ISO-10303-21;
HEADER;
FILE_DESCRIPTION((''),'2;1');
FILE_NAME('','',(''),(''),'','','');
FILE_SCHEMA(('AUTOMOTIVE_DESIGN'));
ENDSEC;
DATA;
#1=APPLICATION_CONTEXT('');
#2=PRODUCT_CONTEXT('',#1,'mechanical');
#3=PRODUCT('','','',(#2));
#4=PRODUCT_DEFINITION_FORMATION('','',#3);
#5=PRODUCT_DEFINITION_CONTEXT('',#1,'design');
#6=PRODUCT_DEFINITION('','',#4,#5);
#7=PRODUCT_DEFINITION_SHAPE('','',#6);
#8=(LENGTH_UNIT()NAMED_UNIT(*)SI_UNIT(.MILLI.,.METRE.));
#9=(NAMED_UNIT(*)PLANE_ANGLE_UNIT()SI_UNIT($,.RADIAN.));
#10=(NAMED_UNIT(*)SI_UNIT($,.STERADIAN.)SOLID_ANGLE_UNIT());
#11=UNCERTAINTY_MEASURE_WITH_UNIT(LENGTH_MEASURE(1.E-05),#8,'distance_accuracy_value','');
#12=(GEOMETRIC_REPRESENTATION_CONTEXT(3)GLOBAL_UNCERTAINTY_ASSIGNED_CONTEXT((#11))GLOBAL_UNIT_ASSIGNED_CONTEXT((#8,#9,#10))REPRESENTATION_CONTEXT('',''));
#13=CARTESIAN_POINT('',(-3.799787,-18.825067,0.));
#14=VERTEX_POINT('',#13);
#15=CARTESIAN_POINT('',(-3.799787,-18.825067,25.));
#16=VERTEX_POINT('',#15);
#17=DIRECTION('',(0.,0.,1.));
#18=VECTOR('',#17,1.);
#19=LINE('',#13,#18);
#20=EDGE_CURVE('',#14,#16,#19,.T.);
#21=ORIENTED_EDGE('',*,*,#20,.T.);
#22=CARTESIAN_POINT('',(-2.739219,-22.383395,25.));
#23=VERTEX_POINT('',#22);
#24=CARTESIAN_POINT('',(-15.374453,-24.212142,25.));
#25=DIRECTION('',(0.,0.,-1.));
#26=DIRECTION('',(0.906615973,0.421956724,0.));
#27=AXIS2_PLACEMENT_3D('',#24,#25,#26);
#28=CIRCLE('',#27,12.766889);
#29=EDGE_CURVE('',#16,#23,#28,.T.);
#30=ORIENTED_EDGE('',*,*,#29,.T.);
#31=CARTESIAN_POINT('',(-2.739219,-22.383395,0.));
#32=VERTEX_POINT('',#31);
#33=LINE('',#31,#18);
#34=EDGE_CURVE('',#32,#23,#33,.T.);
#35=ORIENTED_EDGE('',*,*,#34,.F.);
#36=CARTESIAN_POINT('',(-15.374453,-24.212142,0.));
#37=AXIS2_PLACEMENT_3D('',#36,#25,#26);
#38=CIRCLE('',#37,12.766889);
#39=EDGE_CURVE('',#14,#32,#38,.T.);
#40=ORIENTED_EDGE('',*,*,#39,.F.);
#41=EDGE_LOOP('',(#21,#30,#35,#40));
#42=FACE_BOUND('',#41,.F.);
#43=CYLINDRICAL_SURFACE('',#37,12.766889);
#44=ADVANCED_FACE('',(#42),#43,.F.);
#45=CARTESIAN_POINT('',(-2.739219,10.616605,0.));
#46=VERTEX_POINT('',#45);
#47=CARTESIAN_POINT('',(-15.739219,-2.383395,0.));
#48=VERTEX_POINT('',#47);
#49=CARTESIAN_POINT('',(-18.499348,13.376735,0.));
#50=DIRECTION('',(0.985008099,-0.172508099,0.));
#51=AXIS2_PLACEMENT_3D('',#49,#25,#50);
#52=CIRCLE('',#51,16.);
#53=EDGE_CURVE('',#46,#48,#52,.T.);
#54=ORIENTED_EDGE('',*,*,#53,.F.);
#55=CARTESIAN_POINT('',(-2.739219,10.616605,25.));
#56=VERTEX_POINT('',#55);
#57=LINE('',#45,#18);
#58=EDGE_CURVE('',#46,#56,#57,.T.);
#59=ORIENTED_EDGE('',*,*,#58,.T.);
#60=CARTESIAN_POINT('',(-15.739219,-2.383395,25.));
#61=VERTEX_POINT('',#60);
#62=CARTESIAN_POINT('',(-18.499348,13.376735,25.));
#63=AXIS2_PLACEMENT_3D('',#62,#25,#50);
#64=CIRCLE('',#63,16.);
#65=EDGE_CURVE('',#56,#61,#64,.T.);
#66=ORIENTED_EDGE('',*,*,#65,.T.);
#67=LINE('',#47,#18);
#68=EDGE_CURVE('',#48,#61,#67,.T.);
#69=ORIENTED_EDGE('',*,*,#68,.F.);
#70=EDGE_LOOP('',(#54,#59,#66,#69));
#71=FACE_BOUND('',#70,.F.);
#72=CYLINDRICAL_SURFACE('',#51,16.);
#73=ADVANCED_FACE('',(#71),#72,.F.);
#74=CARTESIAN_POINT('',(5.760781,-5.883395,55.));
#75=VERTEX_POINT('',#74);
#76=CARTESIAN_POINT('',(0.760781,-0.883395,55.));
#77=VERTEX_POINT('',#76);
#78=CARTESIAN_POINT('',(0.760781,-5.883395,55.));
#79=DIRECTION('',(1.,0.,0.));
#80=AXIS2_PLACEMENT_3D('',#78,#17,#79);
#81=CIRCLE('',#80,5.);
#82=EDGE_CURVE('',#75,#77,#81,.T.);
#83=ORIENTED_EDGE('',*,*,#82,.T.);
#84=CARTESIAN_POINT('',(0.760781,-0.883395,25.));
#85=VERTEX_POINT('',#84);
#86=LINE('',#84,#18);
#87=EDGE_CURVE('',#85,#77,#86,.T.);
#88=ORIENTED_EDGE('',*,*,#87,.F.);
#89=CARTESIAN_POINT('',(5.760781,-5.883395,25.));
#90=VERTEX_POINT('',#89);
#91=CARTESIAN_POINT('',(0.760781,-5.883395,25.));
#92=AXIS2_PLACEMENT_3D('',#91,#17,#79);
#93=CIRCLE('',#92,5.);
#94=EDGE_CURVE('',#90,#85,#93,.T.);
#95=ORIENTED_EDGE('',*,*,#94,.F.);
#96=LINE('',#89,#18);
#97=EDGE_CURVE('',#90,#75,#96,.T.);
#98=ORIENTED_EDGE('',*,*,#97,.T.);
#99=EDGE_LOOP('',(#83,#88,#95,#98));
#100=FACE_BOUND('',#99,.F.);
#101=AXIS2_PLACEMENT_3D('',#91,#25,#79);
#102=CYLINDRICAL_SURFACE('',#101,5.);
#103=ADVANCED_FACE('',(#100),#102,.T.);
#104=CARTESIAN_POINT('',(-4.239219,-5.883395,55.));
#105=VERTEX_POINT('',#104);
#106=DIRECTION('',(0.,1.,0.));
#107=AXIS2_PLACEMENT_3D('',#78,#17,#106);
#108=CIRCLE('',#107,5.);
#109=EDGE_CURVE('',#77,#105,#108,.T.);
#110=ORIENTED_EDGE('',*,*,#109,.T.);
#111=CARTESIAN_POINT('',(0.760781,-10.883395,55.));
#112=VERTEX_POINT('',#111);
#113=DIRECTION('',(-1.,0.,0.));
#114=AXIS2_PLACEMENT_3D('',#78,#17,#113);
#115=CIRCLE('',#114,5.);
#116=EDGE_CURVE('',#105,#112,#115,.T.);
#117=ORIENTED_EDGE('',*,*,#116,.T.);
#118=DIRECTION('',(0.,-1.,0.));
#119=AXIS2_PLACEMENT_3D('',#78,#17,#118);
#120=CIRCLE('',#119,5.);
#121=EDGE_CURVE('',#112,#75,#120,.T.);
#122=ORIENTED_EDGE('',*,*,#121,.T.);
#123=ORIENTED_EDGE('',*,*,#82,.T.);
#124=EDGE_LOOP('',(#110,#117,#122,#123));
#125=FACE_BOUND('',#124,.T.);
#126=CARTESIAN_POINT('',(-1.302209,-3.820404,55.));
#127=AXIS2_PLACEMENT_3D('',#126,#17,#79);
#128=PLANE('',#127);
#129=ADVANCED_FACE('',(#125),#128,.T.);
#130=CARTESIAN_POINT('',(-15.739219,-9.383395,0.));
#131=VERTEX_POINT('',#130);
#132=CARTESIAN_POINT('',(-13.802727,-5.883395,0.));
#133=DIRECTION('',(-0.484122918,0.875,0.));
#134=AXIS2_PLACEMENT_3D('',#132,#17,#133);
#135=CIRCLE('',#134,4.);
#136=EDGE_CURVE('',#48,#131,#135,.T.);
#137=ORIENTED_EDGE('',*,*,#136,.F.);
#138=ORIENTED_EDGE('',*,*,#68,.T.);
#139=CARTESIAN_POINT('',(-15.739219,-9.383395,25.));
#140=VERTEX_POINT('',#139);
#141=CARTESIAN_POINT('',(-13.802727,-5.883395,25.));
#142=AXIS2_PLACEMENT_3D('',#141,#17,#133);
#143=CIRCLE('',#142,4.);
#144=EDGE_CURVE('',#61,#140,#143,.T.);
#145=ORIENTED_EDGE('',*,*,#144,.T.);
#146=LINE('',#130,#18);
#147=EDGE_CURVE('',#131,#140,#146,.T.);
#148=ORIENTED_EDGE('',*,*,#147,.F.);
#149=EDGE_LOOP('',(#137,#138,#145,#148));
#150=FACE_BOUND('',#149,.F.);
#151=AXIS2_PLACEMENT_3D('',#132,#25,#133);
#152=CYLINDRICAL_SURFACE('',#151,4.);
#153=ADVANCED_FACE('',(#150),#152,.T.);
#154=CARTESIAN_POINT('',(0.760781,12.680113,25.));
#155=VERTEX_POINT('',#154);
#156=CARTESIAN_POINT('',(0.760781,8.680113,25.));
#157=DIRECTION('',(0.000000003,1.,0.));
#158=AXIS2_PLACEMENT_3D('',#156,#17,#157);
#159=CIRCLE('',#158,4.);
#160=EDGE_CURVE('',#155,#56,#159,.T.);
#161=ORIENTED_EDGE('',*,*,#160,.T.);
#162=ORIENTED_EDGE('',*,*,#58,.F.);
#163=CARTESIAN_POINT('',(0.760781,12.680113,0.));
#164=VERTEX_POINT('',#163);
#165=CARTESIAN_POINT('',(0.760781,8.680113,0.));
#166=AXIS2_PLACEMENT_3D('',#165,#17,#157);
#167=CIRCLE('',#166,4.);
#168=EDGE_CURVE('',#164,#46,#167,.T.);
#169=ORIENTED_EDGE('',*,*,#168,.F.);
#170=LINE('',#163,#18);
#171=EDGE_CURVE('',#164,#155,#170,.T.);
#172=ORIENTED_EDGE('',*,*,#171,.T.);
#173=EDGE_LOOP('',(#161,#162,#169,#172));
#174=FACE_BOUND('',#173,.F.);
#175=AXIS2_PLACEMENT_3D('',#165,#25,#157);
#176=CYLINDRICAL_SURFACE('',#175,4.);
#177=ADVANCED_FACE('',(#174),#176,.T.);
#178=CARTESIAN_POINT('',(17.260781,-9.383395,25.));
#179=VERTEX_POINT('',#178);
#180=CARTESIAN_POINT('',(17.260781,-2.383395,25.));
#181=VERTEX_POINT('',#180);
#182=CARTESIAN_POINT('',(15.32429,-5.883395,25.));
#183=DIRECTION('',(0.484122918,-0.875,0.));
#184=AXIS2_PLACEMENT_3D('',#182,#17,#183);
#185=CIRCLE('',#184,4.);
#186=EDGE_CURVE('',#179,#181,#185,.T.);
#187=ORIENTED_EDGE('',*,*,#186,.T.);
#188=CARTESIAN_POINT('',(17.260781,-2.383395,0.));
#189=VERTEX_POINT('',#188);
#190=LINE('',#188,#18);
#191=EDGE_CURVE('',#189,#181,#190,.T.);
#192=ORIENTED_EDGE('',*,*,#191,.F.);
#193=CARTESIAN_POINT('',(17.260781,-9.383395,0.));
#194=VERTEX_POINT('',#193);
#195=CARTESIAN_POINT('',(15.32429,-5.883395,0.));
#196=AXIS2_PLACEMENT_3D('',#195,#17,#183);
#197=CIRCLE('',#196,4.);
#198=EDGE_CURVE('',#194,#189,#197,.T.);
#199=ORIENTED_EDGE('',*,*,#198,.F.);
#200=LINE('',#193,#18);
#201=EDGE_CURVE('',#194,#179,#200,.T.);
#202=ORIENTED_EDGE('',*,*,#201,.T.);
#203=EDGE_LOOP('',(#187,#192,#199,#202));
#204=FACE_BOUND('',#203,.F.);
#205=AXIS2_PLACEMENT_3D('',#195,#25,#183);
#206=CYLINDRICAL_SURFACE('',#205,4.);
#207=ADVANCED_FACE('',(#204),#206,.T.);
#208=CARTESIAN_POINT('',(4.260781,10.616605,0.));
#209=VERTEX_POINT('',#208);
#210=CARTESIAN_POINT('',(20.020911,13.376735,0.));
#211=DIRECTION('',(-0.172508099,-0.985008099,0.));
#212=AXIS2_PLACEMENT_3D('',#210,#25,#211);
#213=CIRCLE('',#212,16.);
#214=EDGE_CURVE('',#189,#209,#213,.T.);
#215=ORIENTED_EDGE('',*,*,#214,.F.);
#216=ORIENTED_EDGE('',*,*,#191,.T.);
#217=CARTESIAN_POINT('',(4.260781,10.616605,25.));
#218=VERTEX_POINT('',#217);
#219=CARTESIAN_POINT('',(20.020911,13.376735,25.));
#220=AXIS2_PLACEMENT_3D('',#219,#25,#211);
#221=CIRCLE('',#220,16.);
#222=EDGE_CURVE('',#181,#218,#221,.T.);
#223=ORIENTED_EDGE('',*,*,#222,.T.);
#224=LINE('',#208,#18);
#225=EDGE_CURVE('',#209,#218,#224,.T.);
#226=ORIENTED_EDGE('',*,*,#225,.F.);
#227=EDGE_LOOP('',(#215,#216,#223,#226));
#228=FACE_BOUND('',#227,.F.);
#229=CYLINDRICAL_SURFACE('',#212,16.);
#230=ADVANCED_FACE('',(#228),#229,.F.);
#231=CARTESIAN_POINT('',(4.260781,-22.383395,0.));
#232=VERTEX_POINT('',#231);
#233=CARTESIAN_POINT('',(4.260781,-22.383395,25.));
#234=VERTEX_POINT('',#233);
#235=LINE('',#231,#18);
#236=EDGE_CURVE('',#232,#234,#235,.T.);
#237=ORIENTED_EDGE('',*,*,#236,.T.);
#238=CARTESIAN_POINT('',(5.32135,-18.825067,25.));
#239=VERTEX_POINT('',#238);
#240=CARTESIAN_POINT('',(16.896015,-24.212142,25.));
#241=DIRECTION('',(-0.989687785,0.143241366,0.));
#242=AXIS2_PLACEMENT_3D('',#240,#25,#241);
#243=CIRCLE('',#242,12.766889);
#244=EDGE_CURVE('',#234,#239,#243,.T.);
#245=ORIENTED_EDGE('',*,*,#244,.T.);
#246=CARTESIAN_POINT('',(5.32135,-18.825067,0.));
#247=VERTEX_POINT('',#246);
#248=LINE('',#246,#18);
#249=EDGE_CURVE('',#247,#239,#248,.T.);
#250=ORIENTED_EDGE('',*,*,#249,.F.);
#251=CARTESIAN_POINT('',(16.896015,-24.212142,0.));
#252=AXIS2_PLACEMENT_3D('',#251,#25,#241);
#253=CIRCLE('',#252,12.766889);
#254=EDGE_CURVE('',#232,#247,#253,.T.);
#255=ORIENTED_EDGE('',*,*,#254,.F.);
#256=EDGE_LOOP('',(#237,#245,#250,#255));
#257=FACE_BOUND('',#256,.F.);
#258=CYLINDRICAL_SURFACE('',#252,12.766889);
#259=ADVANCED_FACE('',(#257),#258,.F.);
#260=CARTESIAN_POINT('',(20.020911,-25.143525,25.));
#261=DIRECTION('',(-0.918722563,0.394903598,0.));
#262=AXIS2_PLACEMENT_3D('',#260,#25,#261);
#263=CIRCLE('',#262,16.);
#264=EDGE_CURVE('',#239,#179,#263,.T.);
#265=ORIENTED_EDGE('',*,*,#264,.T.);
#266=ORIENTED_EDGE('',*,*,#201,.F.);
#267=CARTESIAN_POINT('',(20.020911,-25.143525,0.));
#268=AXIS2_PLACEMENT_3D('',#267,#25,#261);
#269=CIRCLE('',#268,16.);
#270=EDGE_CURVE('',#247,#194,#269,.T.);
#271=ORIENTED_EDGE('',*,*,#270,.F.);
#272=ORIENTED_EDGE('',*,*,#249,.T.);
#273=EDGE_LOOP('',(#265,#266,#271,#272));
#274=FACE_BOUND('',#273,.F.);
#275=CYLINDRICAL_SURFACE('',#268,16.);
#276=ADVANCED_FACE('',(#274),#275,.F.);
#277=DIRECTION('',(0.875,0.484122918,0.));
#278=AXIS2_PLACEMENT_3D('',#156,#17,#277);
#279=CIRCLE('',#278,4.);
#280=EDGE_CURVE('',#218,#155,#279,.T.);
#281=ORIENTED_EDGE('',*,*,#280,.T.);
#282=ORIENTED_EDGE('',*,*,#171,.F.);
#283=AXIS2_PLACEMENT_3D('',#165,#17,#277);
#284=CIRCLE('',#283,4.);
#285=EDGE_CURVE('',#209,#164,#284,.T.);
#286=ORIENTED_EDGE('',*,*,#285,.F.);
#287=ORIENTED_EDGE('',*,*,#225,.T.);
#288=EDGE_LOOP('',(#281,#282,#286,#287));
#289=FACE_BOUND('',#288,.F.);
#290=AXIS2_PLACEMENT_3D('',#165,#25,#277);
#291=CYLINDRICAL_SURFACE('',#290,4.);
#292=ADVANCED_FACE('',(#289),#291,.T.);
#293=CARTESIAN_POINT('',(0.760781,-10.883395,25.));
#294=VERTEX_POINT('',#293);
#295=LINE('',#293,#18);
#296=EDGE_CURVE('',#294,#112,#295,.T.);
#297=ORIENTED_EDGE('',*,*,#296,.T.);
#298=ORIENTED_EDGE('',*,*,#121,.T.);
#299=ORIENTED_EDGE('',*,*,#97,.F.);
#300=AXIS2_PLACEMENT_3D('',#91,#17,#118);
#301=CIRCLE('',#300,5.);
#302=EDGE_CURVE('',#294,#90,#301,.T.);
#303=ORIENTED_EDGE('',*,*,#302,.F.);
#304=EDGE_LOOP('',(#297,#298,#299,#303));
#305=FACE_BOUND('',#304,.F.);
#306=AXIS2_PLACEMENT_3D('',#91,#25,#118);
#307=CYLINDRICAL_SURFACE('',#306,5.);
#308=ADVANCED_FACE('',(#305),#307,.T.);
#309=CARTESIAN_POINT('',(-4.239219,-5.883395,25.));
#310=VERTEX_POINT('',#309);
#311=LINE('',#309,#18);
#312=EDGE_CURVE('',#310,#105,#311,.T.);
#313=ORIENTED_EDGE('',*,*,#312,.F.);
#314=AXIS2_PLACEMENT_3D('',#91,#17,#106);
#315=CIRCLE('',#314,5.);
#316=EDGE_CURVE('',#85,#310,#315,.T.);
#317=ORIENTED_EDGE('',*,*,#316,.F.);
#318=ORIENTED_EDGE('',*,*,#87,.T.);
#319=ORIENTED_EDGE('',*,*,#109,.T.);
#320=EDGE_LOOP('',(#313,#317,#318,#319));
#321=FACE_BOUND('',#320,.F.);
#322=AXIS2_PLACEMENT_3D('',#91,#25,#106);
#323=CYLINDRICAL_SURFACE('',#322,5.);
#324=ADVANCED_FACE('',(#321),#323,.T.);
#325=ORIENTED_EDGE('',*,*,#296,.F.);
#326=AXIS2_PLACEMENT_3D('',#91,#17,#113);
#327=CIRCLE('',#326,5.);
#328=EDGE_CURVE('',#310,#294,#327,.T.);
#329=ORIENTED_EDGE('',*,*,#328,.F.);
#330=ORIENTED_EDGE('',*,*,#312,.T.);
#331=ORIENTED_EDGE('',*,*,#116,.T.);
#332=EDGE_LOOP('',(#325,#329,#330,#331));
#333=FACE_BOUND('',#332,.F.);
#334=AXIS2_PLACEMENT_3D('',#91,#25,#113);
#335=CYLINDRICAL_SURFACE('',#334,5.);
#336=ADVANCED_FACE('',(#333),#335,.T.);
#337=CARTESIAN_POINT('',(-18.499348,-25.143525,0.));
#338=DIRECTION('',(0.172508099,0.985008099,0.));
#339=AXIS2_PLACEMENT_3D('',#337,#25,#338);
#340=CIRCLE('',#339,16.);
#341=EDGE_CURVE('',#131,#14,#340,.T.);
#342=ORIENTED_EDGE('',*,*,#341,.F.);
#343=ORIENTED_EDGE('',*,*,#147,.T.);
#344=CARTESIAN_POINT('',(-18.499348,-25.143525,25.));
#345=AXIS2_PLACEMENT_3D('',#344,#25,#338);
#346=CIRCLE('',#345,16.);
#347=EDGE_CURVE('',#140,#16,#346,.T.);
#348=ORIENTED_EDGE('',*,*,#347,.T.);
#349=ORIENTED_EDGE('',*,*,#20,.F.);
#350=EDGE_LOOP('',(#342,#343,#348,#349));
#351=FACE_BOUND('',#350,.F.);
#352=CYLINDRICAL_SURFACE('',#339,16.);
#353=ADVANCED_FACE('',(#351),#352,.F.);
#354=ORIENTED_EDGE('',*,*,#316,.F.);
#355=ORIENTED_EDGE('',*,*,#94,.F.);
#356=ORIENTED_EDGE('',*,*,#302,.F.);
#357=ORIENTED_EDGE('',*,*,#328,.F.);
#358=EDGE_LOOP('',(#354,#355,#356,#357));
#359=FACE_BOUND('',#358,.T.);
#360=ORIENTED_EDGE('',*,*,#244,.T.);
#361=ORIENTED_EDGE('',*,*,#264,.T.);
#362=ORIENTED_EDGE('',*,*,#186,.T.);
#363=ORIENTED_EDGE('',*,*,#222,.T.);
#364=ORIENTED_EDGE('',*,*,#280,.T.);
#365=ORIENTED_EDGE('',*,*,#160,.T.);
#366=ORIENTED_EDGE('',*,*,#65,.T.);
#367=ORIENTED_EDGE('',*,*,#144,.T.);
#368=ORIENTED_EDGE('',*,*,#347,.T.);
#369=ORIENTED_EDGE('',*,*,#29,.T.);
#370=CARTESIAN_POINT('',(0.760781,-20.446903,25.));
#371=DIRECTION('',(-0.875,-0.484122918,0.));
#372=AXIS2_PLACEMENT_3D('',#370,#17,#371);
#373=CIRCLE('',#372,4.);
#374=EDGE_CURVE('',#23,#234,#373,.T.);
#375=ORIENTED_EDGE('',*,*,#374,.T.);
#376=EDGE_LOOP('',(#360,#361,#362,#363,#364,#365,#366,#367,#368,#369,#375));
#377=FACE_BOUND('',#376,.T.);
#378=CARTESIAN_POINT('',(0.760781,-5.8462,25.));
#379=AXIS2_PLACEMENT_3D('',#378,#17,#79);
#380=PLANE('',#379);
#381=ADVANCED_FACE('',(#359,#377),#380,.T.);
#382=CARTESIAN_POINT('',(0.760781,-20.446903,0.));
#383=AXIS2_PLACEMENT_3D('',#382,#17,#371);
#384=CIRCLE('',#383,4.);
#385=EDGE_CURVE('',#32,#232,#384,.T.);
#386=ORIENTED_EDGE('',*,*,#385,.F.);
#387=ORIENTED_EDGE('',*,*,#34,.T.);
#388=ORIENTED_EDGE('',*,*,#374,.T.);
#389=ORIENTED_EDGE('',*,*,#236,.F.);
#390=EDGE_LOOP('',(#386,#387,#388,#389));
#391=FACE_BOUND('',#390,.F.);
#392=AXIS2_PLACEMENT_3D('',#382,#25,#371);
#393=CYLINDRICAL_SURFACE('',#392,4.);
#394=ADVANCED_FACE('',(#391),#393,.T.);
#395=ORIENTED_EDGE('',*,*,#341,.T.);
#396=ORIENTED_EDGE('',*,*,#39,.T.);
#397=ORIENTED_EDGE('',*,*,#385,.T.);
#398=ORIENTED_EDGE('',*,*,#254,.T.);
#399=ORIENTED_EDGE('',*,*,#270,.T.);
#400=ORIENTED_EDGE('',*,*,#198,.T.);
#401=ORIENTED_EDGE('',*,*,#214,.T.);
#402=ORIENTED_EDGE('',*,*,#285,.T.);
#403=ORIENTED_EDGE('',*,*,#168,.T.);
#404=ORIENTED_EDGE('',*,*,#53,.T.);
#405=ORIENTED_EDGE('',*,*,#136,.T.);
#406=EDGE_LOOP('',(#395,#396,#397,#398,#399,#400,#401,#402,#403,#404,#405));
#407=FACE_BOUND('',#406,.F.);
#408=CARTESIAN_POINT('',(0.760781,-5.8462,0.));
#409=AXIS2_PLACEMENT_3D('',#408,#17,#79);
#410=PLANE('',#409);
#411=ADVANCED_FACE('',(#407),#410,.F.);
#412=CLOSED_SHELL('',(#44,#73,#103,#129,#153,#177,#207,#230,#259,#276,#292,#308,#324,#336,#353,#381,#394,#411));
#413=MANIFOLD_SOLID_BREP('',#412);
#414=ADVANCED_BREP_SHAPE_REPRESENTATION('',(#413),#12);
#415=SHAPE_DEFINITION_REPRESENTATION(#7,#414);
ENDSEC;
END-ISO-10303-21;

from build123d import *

# Parameters (mm, degrees)
F1_DEPTH = 25
F3_DEPTH = 30


with BuildPart() as f1:
    # F0 (on Top) → F1 (new body)
    with BuildSketch(Plane.XY):
        with BuildLine():
            ThreePointArc((17.2607812761, -2.3833950431), (8.7072023659, 2.0630260466), (4.2607812761, 10.6166049569))
            ThreePointArc((4.2607812761, 10.6166049569), (2.7922872868, 12.1258328499), (0.7607812863, 12.6801132838))
            ThreePointArc((0.7607812863, 12.6801132838), (-1.2707247259, 12.1258328551), (-2.7392187239, 10.6166049569))
            ThreePointArc((-2.7392187239, 10.6166049569), (-7.1856398136, 2.0630260466), (-15.7392187239, -2.3833950431))
            ThreePointArc((-15.7392187239, -2.3833950431), (-17.8027270508, -5.8833950431), (-15.7392187239, -9.3833950431))
            ThreePointArc((-15.7392187239, -9.3833950431), (-8.5748084454, -12.5934844557), (-3.7997873018, -18.8250670599))
            ThreePointArc((-3.7997873018, -18.8250670599), (-3.139452436, -20.565469151), (-2.7392187239, -22.3833950431))
            ThreePointArc((-2.7392187239, -22.3833950431), (0.7607812761, -24.44690337), (4.2607812761, -22.3833950431))
            ThreePointArc((4.2607812761, -22.3833950431), (4.6610149882, -20.565469151), (5.321349854, -18.8250670599))
            ThreePointArc((5.321349854, -18.8250670599), (10.0963709976, -12.5934844557), (17.2607812761, -9.3833950431))
            ThreePointArc((17.2607812761, -9.3833950431), (19.324289603, -5.8833950431), (17.2607812761, -2.3833950431))
        make_face()
    extrude(amount=F1_DEPTH)

    # F2 (on face) → F3 (join)
    with BuildSketch(Plane.XY.offset(25)):
        with BuildLine():
            Line((-4.2392187239, -5.8833950431), (0.7607812761, -5.8833950431))
            Line((0.7607812761, -5.8833950431), (0.7607812761, -0.8833950431))
            ThreePointArc((0.7607812761, -0.8833950431), (-2.7747526298, -2.3478611372), (-4.2392187239, -5.8833950431))
        make_face()
        with BuildLine():
            Line((0.7607812761, -10.8833950431), (0.7607812761, -5.8833950431))
            Line((0.7607812761, -5.8833950431), (-4.2392187239, -5.8833950431))
            ThreePointArc((-4.2392187239, -5.8833950431), (-2.7747526298, -9.4189289491), (0.7607812761, -10.8833950431))
        make_face()
        with BuildLine():
            Line((0.7607812761, -5.8833950431), (5.7607812761, -5.8833950431))
            ThreePointArc((5.7607812761, -5.8833950431), (4.296315182, -2.3478611372), (0.7607812761, -0.8833950431))
            Line((0.7607812761, -0.8833950431), (0.7607812761, -5.8833950431))
        make_face()
        with BuildLine():
            ThreePointArc((0.7607812761, -10.8833950431), (4.296315182, -9.4189289491), (5.7607812761, -5.8833950431))
            Line((5.7607812761, -5.8833950431), (0.7607812761, -5.8833950431))
            Line((0.7607812761, -5.8833950431), (0.7607812761, -10.8833950431))
        make_face()
    extrude(amount=F3_DEPTH)


solid = f1.part
